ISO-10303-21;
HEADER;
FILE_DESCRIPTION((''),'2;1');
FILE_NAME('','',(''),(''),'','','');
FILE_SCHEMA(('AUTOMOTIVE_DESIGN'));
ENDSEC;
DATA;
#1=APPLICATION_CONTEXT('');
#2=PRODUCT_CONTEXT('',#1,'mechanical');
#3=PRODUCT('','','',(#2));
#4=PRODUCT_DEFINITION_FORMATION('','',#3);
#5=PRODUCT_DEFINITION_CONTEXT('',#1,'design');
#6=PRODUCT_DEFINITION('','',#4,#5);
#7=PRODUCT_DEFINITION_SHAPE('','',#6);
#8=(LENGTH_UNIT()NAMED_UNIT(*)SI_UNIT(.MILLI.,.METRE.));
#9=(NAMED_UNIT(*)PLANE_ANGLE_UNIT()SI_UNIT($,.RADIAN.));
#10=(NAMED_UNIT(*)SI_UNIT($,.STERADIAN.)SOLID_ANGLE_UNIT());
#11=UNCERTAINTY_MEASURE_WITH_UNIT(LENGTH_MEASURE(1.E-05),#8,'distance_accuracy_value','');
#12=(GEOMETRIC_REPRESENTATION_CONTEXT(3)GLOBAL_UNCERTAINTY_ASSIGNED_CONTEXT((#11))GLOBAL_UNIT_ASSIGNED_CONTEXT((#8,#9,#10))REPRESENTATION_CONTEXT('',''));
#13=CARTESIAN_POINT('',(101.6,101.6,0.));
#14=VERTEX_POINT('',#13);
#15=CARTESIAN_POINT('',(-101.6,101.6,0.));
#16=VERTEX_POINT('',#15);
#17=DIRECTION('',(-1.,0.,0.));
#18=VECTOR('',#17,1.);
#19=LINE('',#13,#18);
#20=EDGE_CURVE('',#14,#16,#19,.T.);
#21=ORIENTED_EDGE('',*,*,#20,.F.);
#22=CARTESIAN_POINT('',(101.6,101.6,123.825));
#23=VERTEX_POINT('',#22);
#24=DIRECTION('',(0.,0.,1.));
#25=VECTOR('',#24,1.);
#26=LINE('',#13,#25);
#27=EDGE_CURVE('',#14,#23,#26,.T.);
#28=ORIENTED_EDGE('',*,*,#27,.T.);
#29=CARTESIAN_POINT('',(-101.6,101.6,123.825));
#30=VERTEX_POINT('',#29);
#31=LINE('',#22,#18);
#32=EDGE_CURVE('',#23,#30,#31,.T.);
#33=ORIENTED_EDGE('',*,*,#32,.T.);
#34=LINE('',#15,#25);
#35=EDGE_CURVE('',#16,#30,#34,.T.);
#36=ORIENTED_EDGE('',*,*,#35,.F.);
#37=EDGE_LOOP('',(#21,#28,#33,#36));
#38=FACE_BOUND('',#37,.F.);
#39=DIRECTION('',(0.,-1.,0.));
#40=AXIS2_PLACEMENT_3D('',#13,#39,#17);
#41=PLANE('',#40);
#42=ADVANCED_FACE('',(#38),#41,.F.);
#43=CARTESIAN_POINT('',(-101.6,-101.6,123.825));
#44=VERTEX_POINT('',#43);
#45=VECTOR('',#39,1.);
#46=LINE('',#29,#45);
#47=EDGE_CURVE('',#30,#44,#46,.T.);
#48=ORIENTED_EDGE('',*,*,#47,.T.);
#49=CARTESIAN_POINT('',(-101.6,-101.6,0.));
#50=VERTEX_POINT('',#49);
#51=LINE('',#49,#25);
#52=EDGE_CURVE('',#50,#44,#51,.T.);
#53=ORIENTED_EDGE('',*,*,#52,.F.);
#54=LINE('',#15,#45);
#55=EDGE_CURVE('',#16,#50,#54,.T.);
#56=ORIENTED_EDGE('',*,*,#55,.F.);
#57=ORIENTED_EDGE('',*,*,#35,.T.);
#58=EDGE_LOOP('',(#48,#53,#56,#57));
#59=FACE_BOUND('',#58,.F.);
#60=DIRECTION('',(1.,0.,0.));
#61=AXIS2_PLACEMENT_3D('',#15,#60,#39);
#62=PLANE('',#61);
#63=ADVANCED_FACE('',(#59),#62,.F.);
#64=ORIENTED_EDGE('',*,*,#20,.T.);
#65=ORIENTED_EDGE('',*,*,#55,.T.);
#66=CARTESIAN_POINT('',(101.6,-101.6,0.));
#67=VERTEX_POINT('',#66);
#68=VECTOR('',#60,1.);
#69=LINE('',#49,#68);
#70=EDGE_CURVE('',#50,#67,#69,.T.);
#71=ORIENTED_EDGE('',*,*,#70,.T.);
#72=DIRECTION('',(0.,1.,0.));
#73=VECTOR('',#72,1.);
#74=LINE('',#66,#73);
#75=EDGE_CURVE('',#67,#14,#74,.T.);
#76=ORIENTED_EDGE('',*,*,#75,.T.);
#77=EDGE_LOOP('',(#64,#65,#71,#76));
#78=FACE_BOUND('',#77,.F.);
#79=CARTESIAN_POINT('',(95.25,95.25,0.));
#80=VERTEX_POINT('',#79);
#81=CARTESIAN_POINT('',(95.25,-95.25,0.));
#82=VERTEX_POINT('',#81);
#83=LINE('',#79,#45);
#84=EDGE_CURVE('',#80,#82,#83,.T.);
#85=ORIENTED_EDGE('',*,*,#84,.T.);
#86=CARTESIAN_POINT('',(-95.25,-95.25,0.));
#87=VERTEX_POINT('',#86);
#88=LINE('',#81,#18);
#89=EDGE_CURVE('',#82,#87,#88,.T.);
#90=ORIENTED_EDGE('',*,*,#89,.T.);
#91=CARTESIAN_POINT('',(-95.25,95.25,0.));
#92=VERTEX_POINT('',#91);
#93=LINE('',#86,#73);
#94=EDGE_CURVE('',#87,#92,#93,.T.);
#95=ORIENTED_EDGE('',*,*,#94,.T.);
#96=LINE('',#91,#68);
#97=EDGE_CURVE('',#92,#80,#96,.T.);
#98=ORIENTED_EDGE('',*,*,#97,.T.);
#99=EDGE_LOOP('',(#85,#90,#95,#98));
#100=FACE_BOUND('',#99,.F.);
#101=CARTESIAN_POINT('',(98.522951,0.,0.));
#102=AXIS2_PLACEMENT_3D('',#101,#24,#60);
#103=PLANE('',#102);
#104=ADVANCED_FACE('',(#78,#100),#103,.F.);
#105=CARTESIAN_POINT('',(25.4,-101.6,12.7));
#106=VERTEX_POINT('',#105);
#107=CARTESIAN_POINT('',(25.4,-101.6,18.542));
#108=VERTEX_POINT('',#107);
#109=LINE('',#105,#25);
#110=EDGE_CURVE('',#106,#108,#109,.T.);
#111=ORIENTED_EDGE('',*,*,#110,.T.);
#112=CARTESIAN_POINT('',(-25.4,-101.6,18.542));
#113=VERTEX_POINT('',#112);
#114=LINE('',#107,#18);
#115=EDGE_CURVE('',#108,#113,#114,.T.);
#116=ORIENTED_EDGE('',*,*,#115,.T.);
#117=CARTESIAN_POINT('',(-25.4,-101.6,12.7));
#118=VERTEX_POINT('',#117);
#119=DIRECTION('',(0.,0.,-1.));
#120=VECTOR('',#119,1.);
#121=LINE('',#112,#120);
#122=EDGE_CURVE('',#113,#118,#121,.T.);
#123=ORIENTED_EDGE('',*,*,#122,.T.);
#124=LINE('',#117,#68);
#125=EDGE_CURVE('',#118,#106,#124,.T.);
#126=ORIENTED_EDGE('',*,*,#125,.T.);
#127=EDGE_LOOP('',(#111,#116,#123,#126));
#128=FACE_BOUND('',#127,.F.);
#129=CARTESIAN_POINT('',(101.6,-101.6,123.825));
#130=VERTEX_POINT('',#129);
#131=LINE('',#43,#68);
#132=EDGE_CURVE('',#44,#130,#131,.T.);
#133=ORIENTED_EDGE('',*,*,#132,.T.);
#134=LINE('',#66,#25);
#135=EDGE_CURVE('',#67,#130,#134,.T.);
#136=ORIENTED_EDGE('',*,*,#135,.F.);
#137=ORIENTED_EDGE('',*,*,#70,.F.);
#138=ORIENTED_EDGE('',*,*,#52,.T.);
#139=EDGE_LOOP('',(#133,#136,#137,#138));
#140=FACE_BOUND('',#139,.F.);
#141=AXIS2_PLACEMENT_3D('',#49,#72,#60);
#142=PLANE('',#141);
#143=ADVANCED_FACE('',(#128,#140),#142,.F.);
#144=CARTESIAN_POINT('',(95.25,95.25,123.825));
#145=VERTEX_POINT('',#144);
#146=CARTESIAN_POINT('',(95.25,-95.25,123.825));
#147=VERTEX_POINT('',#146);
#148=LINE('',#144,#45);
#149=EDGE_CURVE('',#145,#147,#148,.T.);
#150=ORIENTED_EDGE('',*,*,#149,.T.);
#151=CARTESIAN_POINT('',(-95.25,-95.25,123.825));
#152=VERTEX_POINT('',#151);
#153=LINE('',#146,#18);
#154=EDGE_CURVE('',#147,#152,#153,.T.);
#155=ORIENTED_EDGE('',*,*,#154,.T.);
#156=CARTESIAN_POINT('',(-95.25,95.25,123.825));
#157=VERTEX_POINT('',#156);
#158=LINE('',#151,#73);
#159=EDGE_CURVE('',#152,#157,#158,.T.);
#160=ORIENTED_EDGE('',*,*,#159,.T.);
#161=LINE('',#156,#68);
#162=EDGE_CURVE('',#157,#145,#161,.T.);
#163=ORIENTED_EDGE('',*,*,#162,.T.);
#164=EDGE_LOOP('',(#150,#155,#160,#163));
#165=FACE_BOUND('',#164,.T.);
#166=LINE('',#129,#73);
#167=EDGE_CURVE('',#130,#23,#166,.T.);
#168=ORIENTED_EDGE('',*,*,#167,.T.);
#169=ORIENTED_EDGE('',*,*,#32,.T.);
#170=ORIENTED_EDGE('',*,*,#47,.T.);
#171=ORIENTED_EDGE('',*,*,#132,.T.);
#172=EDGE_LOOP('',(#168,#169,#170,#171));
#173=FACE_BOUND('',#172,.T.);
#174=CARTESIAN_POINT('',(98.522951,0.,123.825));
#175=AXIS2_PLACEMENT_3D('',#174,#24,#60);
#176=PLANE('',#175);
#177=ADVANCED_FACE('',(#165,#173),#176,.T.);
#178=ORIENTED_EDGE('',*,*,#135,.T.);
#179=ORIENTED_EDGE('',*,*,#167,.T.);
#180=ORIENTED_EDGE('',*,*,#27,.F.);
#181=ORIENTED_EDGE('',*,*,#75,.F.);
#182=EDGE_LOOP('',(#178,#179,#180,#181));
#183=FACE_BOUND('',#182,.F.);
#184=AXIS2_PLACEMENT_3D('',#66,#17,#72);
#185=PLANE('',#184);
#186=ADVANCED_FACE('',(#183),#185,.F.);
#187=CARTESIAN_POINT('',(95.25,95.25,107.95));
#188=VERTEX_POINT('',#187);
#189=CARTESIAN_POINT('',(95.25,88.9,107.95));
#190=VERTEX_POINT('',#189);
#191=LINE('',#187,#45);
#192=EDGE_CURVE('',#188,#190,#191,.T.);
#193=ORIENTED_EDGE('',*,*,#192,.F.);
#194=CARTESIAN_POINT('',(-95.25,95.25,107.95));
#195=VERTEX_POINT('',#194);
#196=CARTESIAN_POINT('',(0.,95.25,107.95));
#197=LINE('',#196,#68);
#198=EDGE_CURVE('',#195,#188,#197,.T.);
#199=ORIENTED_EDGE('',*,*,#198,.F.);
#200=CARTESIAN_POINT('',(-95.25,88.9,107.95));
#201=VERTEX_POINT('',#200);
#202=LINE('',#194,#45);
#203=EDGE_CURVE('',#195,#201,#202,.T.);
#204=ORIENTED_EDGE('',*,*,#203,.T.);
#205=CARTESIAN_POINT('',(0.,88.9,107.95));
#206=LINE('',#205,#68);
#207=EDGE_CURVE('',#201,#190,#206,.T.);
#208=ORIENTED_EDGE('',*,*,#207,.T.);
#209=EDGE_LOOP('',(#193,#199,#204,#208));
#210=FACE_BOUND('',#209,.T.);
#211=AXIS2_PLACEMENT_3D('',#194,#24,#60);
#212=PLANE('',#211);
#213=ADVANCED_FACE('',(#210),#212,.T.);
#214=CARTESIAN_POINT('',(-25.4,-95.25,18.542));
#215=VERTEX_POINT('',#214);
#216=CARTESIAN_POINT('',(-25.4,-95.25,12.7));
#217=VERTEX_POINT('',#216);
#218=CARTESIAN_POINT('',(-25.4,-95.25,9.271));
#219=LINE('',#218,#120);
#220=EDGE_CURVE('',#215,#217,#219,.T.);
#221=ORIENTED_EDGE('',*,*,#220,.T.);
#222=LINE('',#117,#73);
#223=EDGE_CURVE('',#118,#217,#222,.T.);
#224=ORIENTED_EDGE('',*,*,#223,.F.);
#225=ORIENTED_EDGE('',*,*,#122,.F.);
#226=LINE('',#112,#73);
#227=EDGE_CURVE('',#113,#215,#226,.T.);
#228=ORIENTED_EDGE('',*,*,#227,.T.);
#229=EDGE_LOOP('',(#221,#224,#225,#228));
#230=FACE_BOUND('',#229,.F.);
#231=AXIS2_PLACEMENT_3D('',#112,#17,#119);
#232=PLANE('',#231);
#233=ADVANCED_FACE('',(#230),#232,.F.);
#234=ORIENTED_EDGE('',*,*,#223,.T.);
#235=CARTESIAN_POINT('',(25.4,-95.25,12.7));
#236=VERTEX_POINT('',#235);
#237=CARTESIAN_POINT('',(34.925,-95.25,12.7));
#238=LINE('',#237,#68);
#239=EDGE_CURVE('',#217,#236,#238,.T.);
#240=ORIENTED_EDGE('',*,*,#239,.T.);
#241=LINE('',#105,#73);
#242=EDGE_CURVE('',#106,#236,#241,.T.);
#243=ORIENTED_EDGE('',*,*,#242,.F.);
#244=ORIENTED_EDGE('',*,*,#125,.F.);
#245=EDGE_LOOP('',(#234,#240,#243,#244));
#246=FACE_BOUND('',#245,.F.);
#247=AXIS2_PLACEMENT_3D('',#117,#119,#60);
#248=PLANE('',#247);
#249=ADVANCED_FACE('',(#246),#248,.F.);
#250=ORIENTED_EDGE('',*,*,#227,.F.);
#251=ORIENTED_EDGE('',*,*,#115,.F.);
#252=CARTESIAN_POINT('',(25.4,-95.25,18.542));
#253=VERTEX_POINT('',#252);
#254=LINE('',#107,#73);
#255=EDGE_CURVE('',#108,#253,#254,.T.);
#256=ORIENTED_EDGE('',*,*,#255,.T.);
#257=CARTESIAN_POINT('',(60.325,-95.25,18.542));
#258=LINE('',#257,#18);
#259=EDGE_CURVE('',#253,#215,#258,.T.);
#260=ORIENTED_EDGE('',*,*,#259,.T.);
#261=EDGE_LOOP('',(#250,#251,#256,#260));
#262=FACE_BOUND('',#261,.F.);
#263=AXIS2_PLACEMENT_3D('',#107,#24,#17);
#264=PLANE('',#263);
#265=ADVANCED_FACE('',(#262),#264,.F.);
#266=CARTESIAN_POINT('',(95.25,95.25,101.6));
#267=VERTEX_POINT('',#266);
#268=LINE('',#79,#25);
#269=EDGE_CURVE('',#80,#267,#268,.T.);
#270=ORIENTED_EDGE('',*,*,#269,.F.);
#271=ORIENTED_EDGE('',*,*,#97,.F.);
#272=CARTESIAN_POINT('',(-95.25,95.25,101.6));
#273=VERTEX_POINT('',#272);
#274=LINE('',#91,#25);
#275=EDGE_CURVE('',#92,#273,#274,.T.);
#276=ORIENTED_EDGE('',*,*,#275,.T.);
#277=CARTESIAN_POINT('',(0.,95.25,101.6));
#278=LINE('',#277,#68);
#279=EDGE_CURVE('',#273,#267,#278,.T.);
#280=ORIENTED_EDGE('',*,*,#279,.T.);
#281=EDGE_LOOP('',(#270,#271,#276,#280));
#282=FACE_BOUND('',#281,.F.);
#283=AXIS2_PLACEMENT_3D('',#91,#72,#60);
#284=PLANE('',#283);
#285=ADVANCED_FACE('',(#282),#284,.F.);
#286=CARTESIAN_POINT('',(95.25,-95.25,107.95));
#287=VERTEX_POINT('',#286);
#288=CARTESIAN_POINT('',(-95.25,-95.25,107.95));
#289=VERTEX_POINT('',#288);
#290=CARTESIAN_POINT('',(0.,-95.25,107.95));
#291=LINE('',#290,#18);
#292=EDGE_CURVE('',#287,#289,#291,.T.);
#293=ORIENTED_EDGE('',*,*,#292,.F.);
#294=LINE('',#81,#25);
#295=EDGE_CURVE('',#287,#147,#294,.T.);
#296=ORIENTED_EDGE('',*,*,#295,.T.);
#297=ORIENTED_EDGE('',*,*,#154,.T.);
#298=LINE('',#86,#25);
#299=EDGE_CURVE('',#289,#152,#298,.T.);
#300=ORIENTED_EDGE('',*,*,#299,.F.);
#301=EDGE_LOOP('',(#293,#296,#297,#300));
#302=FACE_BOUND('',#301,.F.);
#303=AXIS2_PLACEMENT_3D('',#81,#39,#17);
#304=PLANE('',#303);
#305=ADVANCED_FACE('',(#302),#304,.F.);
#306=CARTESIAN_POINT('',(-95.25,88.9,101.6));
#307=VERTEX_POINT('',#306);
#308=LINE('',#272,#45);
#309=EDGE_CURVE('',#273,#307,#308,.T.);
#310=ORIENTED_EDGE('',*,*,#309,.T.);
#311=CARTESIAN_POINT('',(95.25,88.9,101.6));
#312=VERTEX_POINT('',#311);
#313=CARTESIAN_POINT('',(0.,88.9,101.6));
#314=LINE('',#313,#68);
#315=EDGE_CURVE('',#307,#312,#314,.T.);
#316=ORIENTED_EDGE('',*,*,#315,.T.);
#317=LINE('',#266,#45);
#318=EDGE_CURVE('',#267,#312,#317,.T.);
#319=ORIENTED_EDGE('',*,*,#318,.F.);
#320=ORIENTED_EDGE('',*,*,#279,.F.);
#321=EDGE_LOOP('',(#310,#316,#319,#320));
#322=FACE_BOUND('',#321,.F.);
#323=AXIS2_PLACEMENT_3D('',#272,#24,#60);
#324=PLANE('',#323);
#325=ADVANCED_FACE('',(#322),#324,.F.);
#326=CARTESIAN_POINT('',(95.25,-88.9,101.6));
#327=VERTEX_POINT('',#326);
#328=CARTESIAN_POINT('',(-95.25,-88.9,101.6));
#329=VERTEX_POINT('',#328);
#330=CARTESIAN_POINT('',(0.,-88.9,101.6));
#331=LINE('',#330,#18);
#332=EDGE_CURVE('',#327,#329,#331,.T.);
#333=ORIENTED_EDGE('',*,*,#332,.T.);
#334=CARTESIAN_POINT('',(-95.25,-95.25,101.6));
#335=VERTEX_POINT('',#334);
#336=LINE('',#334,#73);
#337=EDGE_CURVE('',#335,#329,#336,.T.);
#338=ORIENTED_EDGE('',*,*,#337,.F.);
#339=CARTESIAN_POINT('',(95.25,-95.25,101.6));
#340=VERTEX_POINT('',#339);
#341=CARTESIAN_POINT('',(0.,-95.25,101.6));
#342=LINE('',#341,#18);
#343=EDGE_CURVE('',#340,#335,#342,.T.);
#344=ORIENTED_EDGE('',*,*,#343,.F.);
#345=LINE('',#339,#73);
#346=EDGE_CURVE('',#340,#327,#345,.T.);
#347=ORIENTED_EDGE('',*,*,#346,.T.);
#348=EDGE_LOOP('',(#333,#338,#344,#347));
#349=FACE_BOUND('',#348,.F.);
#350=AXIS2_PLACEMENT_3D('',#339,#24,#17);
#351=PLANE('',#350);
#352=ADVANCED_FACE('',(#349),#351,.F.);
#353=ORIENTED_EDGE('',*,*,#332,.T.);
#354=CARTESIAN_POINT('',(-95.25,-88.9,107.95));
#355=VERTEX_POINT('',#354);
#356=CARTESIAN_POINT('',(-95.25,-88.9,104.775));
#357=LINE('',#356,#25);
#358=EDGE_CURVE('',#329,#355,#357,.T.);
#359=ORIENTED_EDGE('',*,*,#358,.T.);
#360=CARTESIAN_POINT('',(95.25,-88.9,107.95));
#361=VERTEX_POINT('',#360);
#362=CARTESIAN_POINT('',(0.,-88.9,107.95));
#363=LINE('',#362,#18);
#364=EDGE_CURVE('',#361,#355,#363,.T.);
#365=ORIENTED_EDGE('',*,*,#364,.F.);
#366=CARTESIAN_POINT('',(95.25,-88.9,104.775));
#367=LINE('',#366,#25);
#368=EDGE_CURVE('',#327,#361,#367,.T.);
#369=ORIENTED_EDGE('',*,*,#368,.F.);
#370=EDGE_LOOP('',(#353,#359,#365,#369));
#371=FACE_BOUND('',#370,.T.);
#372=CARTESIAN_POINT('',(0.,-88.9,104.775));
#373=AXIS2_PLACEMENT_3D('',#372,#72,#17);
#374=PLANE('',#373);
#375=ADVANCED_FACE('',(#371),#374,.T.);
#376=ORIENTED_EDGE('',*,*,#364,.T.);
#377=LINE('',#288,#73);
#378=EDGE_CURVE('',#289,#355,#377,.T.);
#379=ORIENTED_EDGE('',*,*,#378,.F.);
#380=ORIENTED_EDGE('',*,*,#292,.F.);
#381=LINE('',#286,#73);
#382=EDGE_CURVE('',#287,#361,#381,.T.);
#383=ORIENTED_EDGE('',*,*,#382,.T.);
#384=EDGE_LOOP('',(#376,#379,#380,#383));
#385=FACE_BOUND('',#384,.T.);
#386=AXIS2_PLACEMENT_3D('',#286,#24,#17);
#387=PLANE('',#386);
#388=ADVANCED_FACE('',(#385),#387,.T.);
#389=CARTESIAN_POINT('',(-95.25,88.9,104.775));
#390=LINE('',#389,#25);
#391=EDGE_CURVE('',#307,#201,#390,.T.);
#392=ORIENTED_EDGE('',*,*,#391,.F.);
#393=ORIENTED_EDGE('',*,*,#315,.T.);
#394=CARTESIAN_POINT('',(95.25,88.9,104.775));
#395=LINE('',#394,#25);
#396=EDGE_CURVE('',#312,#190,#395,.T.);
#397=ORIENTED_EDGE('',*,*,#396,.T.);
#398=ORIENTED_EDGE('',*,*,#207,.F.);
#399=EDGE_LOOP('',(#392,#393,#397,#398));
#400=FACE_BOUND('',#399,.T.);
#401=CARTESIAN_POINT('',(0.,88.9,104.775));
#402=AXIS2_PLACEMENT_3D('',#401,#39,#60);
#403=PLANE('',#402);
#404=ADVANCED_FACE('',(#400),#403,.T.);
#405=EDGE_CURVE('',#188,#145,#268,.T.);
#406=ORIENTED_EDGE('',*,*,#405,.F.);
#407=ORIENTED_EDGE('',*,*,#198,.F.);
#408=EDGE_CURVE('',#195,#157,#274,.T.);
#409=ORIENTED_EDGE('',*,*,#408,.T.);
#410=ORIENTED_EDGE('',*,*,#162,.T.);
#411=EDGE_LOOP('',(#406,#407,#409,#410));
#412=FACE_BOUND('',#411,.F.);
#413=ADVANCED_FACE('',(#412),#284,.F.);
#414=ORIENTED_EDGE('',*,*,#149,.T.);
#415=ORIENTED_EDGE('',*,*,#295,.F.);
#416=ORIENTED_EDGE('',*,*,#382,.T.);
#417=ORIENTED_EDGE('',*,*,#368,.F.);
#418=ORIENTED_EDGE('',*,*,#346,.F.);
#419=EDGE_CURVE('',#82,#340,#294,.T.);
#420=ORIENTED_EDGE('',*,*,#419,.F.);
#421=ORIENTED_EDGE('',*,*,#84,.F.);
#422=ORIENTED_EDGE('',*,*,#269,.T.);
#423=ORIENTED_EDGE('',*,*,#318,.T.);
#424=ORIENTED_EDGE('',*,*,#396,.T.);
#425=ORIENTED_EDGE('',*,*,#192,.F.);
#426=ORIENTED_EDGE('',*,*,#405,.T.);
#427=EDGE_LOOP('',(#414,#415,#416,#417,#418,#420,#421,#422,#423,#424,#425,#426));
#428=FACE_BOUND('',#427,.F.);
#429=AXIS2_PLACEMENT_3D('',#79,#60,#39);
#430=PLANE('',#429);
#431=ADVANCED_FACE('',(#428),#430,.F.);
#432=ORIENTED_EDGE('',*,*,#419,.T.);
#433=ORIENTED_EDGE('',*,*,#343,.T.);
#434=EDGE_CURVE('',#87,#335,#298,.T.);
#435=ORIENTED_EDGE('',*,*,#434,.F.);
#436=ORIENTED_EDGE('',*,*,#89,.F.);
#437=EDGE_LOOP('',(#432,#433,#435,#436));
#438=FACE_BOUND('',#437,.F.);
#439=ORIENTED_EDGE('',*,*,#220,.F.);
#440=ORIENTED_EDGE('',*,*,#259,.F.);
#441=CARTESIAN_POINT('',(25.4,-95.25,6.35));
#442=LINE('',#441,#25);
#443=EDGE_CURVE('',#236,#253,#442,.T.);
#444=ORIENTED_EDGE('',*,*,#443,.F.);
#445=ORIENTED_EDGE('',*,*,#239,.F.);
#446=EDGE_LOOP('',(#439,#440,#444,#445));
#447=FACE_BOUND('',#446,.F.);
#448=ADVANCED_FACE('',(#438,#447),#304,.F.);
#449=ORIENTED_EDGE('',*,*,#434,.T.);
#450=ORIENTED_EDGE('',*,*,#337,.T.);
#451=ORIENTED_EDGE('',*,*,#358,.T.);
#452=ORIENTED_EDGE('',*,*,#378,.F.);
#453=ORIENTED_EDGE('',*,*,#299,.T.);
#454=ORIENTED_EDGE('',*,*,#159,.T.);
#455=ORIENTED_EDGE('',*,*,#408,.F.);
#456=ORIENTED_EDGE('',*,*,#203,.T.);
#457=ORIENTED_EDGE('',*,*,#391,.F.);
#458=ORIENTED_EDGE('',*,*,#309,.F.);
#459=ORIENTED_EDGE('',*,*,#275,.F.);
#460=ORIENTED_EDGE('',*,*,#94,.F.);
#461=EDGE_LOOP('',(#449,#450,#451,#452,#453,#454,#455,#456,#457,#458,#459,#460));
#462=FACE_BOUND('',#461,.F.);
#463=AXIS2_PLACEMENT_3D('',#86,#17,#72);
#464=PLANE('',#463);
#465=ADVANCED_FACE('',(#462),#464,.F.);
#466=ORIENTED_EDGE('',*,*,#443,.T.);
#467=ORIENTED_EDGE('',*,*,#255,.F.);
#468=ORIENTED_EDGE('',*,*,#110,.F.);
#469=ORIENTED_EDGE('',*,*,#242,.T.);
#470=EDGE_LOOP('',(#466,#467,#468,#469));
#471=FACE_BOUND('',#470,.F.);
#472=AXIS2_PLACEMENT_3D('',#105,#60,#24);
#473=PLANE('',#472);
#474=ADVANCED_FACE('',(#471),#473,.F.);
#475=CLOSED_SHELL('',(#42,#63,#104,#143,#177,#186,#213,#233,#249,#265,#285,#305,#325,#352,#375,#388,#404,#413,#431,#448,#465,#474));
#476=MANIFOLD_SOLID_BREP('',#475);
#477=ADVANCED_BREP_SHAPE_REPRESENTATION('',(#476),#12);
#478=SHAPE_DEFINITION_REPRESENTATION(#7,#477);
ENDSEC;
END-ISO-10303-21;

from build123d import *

# Parameters (mm, degrees)
F1_DEPTH = 123.825
F2_W     = 190.5
F2_H     = 6.35
F3_DEPTH = 6.35
F4_W     = 190.5
F4_H     = 6.35
F5_DEPTH = 6.35
F7_DEPTH = 25.4


with BuildPart() as f1:
    # F0 (on Top) → F1 (new body)
    with BuildSketch(Plane.XY):
        Polygon((101.6, -101.6), (101.6, 101.6), (95.25, 95.25), (95.25, -95.25), align=None)
        Polygon((-95.25, -95.25), (-101.6, -101.6), (101.6, -101.6), (95.25, -95.25), align=None)
        Polygon((-95.25, 95.25), (-101.6, 101.6), (-101.6, -101.6), (-95.25, -95.25), align=None)
        Polygon((101.6, 101.6), (-101.6, 101.6), (-95.25, 95.25), (95.25, 95.25), align=None)
    extrude(amount=F1_DEPTH)

    # F2 (on face) → F3 (join)
    with BuildSketch(Plane.XZ.offset(-95.25)):
        with Locations((0, 104.775)):
            Rectangle(F2_W, F2_H)
    extrude(amount=F3_DEPTH)

    # F4 (on face) → F5 (join)
    with BuildSketch(Plane(origin=(0, -95.25, 0), x_dir=(-1, 0, 0), z_dir=(0, 1, 0))):
        with Locations((0, 104.775)):
            Rectangle(F4_W, F4_H)
    extrude(amount=F5_DEPTH)

    # F6 (on face) → F7 (cut)
    with BuildSketch(Plane.XZ.offset(101.6)):
        Polygon((-25.4, 12.7), (0, 12.7), (25.4, 12.7), (25.4, 18.542), (-25.4, 18.542), align=None)
    extrude(amount=-F7_DEPTH, mode=Mode.SUBTRACT)


solid = f1.part
